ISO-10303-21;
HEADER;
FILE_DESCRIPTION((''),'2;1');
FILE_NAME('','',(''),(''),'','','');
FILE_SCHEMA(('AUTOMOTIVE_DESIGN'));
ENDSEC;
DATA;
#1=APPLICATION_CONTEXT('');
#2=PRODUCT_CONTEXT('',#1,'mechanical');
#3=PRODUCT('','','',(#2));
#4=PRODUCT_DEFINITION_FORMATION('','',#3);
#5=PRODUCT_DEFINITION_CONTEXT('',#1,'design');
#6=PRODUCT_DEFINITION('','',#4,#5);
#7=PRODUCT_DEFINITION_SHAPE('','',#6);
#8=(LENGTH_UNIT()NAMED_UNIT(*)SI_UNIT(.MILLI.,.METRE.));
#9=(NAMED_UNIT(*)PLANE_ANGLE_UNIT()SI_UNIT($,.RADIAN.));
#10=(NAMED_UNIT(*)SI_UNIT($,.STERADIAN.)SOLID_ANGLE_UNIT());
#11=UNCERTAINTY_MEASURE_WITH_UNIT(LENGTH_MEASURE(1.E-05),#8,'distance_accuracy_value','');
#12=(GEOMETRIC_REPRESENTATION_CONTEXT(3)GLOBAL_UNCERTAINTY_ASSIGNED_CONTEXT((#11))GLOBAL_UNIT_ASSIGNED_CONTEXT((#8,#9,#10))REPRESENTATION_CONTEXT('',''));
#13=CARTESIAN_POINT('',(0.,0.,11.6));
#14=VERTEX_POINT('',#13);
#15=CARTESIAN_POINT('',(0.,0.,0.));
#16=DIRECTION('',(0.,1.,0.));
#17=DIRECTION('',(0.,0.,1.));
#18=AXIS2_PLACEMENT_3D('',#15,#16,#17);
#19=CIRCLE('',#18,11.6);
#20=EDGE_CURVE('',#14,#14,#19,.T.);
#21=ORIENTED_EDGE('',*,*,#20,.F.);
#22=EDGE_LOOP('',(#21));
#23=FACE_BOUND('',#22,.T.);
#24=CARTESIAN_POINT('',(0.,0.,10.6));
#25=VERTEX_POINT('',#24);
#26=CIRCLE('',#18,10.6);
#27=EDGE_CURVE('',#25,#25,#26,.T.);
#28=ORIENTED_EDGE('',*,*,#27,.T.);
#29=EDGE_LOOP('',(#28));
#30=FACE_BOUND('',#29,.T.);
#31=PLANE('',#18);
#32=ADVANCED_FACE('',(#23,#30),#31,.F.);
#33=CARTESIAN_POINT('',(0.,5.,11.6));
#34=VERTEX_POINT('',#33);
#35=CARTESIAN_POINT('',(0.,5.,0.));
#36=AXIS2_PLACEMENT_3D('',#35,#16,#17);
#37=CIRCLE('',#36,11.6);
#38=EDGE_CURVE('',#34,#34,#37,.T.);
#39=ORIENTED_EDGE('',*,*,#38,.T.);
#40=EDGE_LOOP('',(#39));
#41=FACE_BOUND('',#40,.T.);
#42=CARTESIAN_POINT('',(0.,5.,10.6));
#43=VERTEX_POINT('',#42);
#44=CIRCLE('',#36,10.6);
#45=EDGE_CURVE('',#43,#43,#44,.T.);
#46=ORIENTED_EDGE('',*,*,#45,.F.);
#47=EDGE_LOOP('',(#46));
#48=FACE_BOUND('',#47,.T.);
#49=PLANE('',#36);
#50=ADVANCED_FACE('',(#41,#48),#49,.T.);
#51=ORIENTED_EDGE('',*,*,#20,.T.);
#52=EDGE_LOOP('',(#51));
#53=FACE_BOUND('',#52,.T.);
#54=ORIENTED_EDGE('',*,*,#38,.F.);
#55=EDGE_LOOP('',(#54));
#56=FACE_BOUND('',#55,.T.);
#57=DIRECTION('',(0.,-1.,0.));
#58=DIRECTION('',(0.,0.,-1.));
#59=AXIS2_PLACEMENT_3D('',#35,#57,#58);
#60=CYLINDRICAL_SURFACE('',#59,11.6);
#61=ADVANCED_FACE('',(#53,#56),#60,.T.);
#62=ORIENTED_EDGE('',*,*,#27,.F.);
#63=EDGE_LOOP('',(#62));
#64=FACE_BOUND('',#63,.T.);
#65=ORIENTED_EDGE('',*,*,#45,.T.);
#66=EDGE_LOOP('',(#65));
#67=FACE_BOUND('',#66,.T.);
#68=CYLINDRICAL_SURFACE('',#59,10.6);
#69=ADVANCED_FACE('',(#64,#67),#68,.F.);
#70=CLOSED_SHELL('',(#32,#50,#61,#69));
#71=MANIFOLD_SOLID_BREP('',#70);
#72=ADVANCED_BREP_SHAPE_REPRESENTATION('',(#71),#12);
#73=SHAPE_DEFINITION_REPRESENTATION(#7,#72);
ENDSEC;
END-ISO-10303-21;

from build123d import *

# Parameters (mm, degrees)
SKETCH_1_R        = 11.6
SKETCH_1_R_2      = 10.6
EXTRUDE_302_DEPTH = 5


with BuildPart() as part:
    # Эскиз1 → Extrude 302 (new body)
    with BuildSketch(Plane(origin=(0, 0, 0), x_dir=(1, 0, 0), z_dir=(0, 1, 0))):
        with Locations(Location((0, 0, 0), (0, 0, 270))):
            Circle(SKETCH_1_R)
        with Locations(Location((0, 0, 0), (0, 0, 270))):
            Circle(SKETCH_1_R_2, mode=Mode.SUBTRACT)
    extrude(amount=EXTRUDE_302_DEPTH)


solid = part.part
